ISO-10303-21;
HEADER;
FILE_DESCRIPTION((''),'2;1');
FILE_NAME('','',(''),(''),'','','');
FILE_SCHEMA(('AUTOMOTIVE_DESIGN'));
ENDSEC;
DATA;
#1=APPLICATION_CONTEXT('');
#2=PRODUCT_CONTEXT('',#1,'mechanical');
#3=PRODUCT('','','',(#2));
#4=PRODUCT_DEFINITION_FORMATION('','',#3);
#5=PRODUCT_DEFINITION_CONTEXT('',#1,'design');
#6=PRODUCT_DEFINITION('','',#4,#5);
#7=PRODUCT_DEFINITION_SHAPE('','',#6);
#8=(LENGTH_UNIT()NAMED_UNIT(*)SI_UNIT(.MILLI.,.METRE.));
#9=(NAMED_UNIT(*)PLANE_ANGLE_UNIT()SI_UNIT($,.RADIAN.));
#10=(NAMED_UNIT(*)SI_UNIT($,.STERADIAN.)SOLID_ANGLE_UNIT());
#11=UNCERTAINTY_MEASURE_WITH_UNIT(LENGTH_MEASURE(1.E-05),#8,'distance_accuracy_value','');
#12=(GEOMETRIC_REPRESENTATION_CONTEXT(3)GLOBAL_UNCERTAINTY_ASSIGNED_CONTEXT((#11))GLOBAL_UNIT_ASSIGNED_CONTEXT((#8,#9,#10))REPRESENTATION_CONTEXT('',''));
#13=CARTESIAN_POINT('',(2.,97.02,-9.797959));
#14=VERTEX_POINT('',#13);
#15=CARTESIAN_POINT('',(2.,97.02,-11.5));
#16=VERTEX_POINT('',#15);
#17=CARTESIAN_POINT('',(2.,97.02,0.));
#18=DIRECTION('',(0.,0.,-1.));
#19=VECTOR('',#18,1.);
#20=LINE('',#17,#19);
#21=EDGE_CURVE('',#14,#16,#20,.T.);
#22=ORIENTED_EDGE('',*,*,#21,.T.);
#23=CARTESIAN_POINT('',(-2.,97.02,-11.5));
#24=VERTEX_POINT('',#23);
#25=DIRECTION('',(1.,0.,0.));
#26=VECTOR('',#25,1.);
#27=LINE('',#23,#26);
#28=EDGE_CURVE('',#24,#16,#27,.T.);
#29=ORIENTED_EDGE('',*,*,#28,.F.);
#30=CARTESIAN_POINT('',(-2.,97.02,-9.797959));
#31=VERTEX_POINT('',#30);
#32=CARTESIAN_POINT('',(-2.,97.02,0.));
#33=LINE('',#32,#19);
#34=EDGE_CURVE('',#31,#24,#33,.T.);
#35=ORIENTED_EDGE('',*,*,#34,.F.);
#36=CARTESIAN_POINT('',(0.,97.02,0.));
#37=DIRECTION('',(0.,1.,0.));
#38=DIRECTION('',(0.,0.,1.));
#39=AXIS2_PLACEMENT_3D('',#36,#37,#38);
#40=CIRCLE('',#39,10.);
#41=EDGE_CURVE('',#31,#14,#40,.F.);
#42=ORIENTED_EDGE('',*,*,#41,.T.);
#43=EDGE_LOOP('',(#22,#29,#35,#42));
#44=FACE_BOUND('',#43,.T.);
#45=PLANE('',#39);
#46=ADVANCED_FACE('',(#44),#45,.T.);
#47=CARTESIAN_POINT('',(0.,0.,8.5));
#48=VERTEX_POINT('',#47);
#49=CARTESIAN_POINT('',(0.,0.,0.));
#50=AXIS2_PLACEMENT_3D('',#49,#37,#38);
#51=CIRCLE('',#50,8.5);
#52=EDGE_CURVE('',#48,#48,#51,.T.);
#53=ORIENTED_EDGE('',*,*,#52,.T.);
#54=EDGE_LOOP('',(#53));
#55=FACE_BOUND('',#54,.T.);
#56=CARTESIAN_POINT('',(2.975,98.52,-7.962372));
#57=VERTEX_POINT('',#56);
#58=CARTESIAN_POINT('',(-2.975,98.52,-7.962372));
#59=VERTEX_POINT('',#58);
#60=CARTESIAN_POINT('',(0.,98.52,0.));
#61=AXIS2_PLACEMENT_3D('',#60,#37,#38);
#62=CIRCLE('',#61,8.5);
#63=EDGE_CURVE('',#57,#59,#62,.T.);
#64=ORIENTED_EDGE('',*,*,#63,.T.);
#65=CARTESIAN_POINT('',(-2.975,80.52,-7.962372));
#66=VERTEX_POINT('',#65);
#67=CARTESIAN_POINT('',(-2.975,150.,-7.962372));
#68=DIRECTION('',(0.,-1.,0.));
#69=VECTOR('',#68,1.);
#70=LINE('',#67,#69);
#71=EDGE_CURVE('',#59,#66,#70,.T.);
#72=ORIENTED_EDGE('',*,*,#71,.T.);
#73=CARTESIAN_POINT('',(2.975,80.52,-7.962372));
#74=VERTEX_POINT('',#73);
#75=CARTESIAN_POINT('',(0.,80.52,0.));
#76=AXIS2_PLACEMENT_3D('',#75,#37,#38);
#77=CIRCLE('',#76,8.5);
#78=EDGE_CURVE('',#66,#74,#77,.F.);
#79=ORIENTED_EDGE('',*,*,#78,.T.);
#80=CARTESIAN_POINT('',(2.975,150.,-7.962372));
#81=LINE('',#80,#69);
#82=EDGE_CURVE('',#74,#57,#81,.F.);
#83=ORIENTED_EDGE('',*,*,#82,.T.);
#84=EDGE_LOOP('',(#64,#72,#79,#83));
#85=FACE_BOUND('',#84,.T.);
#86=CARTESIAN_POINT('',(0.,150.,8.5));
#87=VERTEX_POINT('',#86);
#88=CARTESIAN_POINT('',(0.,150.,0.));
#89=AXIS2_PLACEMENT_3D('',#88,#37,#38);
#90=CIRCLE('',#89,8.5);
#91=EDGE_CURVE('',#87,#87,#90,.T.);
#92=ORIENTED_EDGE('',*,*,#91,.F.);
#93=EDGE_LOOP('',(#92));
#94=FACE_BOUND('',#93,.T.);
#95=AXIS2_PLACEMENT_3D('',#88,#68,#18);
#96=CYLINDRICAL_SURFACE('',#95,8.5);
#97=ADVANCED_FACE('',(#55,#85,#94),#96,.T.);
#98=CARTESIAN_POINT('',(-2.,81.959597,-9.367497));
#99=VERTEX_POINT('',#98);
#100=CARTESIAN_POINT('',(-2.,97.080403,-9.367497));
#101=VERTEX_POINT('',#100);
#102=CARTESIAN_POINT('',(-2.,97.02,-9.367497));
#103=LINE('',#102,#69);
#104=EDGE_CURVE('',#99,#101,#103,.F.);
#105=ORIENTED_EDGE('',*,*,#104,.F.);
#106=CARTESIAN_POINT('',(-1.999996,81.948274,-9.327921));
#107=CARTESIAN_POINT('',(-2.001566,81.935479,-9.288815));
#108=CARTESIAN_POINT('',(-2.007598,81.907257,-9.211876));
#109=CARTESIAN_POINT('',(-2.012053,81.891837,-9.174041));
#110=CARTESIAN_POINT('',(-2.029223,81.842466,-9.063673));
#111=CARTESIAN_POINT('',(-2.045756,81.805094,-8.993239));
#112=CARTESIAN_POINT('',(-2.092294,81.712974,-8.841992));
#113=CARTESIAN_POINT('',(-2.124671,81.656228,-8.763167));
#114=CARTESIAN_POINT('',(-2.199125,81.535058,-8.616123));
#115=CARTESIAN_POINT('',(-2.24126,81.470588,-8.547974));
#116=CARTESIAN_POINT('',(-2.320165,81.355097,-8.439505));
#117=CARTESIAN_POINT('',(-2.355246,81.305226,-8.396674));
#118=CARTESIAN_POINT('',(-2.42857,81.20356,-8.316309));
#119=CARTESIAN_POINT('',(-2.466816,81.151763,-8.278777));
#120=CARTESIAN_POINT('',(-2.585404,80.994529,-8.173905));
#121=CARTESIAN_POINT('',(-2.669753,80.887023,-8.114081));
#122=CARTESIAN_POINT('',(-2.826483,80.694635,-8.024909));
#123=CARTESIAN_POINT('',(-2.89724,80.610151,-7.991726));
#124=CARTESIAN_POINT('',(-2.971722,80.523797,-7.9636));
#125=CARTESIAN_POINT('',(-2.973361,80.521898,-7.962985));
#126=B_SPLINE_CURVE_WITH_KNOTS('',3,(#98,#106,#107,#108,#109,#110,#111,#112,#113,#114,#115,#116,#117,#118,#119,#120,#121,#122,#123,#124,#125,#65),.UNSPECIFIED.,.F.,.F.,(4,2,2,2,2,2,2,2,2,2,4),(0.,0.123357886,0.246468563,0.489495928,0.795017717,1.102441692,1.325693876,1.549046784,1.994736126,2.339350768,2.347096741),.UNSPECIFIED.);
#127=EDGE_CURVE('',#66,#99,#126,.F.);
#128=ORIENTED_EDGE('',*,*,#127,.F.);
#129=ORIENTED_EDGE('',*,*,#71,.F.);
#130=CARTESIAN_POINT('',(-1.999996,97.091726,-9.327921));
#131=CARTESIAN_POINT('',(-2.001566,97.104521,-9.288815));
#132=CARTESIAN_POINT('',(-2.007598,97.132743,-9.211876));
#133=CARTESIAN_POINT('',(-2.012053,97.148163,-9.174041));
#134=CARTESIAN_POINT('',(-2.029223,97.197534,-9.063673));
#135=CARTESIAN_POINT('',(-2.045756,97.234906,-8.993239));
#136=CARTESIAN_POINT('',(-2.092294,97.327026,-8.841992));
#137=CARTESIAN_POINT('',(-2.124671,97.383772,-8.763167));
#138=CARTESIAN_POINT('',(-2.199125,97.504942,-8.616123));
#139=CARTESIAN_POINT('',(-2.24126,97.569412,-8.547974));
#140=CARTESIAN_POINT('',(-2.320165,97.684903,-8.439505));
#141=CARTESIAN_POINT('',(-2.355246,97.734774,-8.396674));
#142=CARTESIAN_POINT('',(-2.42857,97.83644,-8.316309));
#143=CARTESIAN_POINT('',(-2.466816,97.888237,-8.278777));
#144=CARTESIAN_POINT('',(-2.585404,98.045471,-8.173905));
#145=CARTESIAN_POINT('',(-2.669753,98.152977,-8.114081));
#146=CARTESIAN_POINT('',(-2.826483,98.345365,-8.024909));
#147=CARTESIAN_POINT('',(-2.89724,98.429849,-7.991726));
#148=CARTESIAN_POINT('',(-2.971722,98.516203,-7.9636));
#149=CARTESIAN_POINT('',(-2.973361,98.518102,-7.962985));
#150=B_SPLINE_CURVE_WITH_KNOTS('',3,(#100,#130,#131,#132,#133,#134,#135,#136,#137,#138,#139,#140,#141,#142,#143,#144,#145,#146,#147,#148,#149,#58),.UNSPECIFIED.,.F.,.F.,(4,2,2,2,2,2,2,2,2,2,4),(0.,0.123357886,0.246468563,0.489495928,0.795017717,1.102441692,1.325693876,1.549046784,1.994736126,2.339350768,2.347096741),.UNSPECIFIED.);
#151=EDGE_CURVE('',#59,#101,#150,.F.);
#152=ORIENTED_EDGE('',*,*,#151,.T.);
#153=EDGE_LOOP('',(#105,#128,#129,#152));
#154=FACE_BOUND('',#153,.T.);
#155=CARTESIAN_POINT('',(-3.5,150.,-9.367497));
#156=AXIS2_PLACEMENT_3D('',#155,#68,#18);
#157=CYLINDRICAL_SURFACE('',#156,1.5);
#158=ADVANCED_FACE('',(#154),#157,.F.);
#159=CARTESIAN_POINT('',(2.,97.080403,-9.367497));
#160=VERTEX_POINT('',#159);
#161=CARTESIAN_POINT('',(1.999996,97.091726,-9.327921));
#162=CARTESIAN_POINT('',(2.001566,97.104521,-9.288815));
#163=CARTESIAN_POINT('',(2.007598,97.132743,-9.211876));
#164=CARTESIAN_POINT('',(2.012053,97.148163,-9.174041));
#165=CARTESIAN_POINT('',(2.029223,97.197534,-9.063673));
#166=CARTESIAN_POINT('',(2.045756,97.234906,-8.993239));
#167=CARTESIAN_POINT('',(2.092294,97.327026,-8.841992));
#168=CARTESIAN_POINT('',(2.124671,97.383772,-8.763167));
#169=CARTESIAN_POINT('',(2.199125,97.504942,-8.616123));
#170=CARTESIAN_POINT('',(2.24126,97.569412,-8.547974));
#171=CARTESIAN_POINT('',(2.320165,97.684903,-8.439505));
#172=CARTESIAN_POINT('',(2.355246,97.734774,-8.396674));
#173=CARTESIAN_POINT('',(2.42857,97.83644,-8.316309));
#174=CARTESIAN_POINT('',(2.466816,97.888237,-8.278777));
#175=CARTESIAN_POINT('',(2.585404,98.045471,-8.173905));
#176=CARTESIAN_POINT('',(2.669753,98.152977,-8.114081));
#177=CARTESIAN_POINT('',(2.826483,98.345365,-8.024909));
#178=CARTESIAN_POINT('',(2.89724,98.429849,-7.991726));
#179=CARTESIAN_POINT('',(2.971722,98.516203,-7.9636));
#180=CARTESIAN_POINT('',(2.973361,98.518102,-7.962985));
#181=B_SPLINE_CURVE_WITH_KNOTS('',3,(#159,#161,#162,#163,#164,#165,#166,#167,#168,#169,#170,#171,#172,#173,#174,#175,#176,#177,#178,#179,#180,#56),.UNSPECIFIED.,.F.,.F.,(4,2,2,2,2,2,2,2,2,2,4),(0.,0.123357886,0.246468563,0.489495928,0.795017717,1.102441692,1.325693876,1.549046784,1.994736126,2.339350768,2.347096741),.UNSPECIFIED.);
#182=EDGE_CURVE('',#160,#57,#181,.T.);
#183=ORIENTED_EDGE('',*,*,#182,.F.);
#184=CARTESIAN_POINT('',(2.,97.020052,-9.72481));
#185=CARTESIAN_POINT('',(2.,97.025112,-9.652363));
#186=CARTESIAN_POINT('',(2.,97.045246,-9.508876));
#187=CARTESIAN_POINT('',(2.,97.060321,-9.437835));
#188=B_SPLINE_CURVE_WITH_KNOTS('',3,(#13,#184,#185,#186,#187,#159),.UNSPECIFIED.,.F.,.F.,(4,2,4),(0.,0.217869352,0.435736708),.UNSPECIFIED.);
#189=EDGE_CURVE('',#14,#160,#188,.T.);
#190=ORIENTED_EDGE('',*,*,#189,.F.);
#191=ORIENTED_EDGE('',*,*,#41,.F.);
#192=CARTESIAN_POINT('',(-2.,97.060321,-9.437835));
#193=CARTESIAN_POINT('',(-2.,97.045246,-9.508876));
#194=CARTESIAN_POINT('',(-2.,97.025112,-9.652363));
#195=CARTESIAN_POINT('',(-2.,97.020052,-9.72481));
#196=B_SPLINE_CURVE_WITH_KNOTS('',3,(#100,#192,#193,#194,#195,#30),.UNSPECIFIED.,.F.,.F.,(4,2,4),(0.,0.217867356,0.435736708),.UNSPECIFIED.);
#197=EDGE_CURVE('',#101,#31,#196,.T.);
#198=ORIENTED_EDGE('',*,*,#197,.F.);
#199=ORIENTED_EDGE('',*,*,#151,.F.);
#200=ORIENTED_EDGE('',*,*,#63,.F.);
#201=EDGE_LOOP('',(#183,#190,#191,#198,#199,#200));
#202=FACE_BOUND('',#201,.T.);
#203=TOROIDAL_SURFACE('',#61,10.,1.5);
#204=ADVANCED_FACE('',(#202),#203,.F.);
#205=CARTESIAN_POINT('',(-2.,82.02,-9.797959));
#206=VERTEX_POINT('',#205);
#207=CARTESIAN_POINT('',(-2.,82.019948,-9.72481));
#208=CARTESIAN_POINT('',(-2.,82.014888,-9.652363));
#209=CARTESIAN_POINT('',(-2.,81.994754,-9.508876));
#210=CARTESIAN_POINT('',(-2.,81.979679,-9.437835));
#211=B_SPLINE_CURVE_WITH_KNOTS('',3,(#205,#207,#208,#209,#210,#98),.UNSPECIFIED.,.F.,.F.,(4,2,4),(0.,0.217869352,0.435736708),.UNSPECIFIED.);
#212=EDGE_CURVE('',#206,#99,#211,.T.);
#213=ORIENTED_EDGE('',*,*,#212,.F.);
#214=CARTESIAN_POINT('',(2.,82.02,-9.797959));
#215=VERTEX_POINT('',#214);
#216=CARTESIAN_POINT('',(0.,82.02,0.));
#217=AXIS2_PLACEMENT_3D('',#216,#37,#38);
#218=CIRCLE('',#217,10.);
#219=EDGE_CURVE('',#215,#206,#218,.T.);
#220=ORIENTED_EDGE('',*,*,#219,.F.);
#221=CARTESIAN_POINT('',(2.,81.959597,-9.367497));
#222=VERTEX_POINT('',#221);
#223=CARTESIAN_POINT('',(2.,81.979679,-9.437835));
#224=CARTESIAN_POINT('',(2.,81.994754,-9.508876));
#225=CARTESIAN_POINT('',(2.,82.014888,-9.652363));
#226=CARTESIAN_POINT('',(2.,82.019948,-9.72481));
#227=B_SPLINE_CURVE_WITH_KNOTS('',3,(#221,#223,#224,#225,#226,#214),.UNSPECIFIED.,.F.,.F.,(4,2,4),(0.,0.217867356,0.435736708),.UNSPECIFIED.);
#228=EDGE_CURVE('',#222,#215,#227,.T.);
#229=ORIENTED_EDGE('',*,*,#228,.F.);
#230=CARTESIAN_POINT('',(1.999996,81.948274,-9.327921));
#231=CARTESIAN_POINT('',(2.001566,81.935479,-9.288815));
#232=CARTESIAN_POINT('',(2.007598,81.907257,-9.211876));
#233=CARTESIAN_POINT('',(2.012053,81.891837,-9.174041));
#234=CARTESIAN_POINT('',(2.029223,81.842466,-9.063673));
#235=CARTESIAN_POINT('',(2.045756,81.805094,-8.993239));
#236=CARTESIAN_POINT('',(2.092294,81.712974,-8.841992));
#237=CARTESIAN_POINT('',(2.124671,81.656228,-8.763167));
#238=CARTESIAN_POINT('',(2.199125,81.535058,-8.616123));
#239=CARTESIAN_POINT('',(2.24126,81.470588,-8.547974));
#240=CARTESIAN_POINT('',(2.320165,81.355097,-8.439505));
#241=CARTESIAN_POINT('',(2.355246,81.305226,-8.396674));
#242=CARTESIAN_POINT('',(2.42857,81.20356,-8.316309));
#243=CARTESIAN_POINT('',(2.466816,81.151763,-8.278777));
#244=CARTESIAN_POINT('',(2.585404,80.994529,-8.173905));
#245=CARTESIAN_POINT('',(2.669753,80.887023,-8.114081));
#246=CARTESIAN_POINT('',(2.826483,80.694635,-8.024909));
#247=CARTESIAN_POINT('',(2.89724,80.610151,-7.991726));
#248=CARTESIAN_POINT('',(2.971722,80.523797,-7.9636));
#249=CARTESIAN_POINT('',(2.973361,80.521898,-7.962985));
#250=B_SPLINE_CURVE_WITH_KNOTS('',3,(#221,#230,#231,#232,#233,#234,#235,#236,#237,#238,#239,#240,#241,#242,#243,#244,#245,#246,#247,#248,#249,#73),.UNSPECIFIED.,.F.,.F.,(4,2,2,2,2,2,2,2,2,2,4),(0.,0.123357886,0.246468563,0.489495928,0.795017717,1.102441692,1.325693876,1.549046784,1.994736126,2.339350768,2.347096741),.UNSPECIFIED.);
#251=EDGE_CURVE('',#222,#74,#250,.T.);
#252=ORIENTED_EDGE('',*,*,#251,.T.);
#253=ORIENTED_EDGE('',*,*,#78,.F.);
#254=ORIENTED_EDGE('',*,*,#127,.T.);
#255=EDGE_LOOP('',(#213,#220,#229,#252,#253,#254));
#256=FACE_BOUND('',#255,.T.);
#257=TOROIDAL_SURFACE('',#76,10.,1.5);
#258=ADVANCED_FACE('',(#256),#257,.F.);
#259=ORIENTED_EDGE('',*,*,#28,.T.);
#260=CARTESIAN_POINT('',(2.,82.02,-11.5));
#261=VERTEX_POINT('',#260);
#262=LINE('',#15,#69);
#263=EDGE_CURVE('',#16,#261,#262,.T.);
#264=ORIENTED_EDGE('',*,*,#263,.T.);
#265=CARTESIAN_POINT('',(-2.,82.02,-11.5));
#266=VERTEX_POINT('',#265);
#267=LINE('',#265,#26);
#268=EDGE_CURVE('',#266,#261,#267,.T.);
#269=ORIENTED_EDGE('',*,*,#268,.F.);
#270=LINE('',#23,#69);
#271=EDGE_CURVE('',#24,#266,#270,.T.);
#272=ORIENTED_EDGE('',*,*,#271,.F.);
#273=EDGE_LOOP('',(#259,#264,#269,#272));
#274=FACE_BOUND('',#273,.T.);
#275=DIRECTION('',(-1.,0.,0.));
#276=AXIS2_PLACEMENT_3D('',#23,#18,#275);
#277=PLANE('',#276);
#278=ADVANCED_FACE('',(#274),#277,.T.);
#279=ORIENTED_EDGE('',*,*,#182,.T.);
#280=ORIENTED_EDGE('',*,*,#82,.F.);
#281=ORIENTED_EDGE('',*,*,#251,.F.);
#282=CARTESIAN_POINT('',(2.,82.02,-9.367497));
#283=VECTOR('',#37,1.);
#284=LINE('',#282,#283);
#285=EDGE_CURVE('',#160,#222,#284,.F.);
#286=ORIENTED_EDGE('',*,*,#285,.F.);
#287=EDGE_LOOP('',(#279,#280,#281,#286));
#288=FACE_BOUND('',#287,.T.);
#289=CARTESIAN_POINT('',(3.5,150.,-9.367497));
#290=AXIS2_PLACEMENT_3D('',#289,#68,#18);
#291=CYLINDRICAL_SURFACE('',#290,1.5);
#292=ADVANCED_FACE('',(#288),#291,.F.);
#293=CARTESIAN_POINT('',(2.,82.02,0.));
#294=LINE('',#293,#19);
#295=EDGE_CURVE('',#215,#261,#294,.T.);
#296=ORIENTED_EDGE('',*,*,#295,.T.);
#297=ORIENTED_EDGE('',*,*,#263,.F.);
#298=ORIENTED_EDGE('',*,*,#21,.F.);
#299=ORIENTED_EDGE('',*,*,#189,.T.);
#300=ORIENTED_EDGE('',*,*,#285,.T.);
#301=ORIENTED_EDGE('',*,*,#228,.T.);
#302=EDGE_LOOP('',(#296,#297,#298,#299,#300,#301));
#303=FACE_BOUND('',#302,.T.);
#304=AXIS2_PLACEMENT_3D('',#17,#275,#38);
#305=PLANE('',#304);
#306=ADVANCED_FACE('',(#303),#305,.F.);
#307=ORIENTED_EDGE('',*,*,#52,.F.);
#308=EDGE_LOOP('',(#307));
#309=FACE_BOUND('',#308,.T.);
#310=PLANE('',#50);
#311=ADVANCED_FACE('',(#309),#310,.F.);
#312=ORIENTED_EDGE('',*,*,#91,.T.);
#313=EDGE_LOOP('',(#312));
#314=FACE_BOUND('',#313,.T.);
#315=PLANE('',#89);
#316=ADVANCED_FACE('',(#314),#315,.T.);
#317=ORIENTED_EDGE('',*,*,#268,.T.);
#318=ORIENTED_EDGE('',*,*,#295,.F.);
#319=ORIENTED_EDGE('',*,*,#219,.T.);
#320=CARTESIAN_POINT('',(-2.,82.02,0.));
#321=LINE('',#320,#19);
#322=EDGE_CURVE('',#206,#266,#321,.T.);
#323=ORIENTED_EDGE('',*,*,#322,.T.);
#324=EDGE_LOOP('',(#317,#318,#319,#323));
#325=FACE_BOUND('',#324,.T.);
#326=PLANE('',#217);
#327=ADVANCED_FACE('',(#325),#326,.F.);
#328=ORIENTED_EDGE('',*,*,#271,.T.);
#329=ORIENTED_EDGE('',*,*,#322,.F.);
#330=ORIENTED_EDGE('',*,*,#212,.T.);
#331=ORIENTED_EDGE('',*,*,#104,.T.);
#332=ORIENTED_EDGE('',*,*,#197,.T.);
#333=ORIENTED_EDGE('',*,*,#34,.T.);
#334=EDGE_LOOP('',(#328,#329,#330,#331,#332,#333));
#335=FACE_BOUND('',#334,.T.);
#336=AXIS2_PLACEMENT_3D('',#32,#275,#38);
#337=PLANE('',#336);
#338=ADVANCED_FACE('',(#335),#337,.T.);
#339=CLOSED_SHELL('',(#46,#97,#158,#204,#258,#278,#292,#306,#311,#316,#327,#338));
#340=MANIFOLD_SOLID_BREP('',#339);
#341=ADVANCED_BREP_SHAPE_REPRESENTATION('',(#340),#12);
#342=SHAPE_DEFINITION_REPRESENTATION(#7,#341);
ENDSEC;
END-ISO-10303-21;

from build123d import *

# Parameters (mm, degrees)
SKETCH1_R           = 8.5
BOSS_EXTRUDE1_DEPTH = 150
SKETCH5_W           = 4
SKETCH5_H           = 11.5
BOSS_EXTRUDE2_DEPTH = 15
FILLET1_R           = 1.5


with BuildPart() as part:
    # Sketch1 → Boss-Extrude1 (new body)
    with BuildSketch(Plane(origin=(0, 0, 0), x_dir=(1, 0, 0), z_dir=(0, 1, 0))):
        Circle(SKETCH1_R)
    extrude(amount=BOSS_EXTRUDE1_DEPTH)

    # Sketch5 → Boss-Extrude2 (add)
    with BuildSketch(Plane(origin=(0, 82.02, 0), x_dir=(1, 0, 0), z_dir=(0, 1, 0))):
        with Locations((0, 5.75)):
            Rectangle(SKETCH5_W, SKETCH5_H)
    extrude(amount=BOSS_EXTRUDE2_DEPTH)

    # Fillet1
    fillet1_edges = [part.edges().sort_by_distance(p)[0] for p in [
        (0, 82.02, -8.5),
        (-2, 89.52, -8.261355821),
        (2, 89.52, -8.261355821),
        (0, 97.02, -8.5),
    ]]
    fillet(fillet1_edges, radius=FILLET1_R)


solid = part.part
